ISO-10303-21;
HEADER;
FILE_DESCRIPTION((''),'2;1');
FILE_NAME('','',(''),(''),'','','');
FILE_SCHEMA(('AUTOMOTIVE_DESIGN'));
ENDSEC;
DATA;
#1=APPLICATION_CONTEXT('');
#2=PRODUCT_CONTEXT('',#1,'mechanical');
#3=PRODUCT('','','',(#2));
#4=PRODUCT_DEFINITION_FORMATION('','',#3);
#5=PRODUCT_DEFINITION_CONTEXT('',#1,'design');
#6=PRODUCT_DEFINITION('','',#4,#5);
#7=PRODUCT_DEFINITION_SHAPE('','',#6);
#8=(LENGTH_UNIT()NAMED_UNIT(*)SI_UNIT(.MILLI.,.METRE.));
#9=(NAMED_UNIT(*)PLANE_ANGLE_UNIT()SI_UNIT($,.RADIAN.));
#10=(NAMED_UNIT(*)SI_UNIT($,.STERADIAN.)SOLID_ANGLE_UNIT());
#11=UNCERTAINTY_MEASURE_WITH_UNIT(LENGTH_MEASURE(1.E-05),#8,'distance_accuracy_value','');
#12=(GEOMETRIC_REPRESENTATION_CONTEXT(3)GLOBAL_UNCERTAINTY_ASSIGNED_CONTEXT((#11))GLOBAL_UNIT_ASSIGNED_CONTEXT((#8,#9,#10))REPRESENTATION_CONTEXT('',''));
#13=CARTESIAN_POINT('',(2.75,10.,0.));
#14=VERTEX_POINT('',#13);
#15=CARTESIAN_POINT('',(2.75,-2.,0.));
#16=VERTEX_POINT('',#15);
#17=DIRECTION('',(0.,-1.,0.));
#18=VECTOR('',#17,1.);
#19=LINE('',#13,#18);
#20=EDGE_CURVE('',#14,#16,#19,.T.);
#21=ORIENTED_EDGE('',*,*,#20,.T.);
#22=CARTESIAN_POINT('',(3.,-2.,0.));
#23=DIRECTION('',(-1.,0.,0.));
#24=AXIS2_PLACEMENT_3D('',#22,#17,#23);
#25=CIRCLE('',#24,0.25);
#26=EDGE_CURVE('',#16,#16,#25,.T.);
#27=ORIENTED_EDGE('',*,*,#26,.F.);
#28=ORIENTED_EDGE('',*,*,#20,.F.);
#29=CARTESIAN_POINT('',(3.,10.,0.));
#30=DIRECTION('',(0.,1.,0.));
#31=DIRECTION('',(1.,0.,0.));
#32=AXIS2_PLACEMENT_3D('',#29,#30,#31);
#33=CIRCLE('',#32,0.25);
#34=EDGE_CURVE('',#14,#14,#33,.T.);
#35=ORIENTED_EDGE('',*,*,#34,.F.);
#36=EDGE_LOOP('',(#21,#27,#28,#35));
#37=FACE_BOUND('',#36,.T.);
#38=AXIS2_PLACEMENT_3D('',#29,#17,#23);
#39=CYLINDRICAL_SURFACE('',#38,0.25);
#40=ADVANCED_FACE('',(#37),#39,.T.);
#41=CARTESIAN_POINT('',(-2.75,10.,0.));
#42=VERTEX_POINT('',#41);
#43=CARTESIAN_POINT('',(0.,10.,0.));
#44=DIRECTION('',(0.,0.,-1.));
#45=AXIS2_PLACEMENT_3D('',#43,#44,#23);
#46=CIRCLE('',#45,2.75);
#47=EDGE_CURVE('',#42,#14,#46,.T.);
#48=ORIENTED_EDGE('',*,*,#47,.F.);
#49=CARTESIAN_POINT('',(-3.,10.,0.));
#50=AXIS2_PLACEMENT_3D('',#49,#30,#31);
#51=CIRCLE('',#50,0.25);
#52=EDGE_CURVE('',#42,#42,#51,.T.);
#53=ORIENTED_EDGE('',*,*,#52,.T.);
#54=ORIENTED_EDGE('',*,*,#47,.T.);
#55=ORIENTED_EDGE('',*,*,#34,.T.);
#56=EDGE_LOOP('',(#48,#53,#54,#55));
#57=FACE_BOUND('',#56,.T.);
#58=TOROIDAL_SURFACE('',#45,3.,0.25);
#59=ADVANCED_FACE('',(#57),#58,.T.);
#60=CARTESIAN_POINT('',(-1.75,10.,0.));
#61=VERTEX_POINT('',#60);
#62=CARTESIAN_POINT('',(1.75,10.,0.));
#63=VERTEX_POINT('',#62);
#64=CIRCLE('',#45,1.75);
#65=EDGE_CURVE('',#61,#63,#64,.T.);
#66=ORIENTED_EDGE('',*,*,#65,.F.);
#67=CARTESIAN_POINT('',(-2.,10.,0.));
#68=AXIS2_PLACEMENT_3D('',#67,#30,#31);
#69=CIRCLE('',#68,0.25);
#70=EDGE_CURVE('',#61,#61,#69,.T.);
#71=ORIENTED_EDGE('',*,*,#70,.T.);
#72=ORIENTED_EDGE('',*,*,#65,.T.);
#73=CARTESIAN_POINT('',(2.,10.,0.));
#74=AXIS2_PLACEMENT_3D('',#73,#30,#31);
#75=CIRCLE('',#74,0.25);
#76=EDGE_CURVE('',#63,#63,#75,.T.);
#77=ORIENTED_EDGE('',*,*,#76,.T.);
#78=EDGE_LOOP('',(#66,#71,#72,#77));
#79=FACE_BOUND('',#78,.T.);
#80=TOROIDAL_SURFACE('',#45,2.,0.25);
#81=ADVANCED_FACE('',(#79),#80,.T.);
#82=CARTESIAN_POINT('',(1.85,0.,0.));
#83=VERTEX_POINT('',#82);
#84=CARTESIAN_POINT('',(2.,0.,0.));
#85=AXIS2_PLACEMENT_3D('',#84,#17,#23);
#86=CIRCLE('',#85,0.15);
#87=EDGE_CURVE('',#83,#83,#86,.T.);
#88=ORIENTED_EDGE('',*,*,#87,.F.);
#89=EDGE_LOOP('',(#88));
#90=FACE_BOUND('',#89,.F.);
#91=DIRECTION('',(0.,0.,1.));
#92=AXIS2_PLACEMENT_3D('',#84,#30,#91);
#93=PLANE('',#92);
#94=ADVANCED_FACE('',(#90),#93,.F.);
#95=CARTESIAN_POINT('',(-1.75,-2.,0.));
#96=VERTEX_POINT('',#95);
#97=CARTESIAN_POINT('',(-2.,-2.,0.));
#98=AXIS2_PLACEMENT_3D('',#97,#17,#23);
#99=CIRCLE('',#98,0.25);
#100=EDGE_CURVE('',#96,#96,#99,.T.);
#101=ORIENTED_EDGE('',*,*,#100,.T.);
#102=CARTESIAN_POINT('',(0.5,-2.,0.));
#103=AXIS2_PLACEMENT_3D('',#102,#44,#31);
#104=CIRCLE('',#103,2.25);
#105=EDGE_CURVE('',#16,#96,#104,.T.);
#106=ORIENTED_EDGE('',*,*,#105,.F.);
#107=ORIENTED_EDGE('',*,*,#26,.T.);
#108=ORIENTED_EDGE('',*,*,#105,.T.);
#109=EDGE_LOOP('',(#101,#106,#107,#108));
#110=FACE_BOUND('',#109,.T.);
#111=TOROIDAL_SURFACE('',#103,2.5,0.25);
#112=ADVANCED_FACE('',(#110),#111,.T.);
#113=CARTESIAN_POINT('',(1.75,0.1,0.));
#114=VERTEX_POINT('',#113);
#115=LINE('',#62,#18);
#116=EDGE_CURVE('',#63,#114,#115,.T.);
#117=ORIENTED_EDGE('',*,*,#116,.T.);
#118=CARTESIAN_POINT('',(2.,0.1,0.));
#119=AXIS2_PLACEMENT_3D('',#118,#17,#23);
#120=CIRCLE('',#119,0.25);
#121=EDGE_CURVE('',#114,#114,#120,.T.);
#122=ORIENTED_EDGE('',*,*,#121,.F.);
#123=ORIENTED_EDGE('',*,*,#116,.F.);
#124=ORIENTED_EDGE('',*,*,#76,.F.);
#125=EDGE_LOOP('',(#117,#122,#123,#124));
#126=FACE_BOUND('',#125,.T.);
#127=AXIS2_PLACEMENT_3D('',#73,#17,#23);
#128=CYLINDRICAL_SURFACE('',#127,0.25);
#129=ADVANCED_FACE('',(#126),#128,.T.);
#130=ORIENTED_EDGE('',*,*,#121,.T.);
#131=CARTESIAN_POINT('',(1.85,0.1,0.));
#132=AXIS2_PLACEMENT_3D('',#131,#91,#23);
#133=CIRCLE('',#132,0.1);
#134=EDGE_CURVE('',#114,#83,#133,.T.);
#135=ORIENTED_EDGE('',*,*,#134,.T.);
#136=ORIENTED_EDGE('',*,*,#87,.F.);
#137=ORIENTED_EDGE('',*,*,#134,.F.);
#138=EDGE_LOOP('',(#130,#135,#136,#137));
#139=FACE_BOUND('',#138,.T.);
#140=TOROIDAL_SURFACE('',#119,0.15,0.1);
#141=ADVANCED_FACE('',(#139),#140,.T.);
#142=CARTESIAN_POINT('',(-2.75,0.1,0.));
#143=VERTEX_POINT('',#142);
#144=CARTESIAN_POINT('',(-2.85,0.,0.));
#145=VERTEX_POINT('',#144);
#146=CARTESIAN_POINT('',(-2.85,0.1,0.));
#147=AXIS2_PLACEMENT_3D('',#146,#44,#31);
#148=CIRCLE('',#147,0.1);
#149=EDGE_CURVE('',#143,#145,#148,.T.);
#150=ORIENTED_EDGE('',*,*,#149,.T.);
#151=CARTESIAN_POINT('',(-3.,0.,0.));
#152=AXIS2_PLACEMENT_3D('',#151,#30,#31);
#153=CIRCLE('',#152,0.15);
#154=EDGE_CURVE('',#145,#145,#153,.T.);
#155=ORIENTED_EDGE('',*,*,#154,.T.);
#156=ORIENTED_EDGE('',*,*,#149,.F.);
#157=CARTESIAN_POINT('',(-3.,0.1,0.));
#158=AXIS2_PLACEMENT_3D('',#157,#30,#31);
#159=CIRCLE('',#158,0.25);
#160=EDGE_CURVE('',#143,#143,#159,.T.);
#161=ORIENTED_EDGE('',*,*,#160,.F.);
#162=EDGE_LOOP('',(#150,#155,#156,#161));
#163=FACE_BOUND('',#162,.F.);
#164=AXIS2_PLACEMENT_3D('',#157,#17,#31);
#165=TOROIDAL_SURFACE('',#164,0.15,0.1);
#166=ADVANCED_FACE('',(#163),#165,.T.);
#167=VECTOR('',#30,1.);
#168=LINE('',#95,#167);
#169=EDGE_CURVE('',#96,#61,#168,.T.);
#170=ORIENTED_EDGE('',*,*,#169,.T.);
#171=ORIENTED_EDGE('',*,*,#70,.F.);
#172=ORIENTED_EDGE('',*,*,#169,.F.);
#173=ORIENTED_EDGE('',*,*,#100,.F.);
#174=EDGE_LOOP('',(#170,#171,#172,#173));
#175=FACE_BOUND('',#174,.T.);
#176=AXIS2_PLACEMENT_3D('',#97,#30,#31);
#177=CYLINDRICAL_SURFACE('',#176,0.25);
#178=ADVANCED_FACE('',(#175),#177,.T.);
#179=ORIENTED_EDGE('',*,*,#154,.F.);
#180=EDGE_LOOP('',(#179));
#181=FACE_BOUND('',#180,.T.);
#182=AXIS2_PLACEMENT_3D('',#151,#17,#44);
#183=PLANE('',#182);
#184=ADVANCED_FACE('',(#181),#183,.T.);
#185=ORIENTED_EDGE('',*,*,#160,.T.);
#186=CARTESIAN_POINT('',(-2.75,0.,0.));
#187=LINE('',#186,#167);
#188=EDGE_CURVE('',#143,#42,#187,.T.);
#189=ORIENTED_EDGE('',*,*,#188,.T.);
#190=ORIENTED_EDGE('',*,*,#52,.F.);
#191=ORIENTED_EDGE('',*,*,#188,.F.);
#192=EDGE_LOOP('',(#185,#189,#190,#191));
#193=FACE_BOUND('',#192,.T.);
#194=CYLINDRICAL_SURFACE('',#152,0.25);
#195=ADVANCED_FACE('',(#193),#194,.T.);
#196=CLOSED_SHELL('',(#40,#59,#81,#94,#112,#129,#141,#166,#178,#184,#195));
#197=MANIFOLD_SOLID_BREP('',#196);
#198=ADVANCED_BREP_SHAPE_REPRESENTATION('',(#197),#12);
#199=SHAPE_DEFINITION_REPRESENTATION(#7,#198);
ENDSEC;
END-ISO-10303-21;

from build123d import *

# Parameters (mm, degrees)
F1_R = 0.25
F3_R = 0.1


with BuildPart() as f2:
    # F2: sweep along a path in F0
    with BuildLine(Plane.XY) as f2_path:
        Line((-3, 0), (-3, 10))
        ThreePointArc((-3, 10), (0, 13), (3, 10))
        Line((3, 10), (3, -2))
        ThreePointArc((3, -2), (0.5, -4.5), (-2, -2))
        Line((-2, -2), (-2, 10))
        ThreePointArc((-2, 10), (0, 12), (2, 10))
        Line((2, 10), (2, 0))
    # F1 (on Front) → F2 (sweep)
    with BuildSketch(Plane.XZ):
        with Locations((-3, 0)):
            Circle(F1_R)
    sweep(path=f2_path.line)

    # F3
    f3_edges = [f2.edges().sort_by_distance(p)[0] for p in [
        (2.25, 0, 0),
        (-3.25, 0, 0),
    ]]
    fillet(f3_edges, radius=F3_R)


solid = f2.part
